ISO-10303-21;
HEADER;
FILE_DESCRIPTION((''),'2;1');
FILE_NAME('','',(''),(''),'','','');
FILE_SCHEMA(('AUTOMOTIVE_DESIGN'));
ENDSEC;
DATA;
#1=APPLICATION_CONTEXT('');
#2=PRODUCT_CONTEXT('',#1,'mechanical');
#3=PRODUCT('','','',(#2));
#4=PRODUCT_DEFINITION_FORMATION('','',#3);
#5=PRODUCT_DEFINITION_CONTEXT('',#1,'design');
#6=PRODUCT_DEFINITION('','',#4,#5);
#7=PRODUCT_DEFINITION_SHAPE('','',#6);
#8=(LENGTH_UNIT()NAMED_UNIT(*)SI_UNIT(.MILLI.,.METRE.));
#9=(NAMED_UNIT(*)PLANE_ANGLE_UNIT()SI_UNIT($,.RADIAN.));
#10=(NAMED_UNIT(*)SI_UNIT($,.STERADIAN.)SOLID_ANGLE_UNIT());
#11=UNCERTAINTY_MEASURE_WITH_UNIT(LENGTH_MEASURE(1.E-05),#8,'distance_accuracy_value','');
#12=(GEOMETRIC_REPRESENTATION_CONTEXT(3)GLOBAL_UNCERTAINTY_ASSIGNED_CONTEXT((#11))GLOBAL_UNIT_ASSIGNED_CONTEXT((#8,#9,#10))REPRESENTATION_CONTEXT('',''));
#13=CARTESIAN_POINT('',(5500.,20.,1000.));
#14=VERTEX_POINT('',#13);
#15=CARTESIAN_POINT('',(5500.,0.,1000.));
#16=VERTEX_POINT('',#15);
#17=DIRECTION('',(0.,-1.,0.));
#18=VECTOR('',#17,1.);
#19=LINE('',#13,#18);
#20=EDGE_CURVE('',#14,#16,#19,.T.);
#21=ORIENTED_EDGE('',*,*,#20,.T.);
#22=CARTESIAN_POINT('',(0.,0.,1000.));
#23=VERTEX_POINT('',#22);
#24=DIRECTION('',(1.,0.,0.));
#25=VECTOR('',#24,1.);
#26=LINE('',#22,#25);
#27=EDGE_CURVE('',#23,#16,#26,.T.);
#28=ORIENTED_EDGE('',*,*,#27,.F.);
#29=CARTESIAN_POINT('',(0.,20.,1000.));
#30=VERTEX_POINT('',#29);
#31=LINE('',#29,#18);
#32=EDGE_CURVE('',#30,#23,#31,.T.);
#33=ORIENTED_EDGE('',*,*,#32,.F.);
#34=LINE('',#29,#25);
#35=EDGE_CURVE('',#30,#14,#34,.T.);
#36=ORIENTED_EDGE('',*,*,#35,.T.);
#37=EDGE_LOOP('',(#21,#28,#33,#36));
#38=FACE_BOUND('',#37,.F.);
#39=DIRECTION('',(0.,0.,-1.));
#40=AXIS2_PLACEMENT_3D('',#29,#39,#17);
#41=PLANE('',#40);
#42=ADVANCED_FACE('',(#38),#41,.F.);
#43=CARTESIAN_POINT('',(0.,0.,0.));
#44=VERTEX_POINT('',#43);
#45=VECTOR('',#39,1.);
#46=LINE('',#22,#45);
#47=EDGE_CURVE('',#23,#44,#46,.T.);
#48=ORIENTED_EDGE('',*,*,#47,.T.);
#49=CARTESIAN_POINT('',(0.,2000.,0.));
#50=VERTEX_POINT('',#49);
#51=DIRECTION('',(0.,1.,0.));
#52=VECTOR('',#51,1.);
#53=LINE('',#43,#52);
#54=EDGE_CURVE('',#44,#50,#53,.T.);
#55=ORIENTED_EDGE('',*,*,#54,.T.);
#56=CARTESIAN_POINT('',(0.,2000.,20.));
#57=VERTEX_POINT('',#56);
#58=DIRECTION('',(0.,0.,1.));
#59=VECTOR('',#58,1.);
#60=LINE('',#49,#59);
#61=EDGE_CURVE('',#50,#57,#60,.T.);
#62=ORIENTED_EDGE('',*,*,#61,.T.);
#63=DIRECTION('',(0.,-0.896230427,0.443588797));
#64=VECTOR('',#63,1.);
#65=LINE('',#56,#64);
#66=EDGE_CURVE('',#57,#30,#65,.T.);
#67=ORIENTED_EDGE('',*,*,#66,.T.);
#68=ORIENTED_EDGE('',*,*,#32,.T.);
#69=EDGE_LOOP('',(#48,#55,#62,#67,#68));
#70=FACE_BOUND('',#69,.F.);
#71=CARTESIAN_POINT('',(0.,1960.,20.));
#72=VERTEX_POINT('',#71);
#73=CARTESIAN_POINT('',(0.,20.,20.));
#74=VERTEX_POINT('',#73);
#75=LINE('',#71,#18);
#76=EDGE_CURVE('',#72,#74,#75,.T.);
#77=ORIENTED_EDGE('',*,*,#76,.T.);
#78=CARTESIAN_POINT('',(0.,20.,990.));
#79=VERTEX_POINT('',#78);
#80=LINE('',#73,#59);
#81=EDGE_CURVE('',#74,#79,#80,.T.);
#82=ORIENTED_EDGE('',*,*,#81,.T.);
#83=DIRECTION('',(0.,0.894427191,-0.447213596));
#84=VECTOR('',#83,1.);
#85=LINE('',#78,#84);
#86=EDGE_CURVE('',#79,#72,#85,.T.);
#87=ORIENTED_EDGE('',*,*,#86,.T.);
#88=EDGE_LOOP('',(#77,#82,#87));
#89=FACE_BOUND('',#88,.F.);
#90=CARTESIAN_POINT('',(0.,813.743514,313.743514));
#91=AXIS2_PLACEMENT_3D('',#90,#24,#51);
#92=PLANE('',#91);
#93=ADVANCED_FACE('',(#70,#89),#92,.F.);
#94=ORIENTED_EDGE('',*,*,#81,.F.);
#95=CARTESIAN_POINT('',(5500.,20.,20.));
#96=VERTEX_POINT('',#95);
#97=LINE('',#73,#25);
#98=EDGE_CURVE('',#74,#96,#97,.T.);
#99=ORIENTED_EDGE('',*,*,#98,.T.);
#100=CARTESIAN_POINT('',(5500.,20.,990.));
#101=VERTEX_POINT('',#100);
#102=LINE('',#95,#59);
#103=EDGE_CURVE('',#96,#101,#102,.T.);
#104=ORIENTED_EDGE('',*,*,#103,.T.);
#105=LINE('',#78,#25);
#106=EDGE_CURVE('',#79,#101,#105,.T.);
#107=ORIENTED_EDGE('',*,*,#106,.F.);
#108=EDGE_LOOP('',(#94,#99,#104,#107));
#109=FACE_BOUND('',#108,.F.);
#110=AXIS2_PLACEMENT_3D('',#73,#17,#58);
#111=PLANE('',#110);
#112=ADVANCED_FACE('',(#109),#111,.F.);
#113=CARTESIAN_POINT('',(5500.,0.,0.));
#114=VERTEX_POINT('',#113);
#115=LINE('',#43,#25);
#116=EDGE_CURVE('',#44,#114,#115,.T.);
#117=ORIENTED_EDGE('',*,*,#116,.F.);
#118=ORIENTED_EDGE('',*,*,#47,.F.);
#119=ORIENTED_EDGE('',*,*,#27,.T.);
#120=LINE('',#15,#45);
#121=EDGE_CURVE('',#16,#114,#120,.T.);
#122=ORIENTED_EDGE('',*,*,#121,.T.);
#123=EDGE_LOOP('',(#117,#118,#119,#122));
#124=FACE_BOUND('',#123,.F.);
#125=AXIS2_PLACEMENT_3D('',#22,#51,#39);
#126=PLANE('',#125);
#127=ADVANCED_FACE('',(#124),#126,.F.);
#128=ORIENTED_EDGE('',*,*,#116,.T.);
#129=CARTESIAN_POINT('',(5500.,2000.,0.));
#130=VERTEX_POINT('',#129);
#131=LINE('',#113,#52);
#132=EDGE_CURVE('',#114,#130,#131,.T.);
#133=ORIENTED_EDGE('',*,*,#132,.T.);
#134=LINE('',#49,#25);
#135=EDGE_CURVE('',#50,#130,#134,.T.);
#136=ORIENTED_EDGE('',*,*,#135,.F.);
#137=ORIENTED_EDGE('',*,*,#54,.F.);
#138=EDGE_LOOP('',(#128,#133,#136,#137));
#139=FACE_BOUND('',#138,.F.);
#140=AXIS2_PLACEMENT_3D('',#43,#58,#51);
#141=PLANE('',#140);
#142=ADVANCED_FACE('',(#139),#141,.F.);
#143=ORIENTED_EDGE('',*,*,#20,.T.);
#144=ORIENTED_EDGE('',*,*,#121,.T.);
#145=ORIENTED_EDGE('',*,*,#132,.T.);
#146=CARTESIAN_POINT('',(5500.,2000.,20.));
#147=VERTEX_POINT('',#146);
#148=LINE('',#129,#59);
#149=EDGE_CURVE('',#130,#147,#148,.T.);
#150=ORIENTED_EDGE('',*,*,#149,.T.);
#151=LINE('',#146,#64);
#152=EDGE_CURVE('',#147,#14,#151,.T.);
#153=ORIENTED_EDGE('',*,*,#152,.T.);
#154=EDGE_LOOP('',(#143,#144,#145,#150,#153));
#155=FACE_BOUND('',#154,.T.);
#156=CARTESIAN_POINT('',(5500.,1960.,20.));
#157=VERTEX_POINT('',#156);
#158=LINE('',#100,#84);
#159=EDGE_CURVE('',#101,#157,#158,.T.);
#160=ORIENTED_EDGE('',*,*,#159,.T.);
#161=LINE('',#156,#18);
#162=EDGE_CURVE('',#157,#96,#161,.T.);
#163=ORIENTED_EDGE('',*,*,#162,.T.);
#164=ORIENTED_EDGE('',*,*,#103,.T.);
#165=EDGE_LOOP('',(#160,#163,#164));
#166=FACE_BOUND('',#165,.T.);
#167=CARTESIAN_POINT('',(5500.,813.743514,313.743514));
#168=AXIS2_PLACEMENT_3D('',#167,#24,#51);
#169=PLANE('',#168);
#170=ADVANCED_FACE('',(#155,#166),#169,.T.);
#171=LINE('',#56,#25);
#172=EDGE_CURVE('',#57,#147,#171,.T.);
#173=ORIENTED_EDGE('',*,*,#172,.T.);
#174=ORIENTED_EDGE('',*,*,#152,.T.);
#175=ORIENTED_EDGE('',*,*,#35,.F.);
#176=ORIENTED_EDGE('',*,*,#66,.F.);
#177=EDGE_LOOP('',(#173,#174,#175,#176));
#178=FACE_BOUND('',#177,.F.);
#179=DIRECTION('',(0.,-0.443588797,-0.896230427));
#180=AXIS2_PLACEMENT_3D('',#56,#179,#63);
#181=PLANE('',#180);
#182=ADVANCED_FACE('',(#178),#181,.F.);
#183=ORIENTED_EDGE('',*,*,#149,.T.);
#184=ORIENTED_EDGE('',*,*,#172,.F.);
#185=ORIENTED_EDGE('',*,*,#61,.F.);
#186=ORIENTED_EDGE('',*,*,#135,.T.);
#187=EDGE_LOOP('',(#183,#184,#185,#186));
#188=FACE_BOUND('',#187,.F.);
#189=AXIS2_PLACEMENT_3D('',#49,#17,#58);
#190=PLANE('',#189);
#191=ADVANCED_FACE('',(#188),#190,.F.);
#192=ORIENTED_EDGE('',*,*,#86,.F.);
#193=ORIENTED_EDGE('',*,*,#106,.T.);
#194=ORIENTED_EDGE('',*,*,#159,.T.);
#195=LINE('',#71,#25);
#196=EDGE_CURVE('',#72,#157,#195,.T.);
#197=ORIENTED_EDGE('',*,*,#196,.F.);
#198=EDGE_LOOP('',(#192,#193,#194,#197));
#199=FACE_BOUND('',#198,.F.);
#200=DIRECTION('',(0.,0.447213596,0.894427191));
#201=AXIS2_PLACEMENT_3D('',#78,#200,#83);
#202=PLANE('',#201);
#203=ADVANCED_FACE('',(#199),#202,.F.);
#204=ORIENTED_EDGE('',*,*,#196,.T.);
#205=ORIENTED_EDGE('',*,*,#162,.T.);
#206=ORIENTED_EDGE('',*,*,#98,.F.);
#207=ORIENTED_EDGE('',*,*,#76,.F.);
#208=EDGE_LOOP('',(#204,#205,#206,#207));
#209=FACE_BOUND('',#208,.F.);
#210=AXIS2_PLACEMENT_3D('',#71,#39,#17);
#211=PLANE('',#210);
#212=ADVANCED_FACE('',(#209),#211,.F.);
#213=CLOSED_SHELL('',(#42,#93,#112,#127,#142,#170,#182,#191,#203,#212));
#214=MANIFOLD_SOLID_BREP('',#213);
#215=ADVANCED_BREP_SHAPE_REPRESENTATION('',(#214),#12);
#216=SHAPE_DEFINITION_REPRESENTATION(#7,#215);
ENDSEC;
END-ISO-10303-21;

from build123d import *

# Parameters (mm, degrees)
F1_DEPTH = 5500


with BuildPart() as f1:
    # F0 (on Right) → F1 (new body)
    with BuildSketch(Plane.YZ):
        Polygon((0, 20), (0, 0), (20, 0), (2000, 0), (2000, 20), (20, 1000), (0, 1000), align=None)
        Polygon((1960, 20), (20, 20), (20, 990), align=None, mode=Mode.SUBTRACT)
    extrude(amount=F1_DEPTH)


solid = f1.part
